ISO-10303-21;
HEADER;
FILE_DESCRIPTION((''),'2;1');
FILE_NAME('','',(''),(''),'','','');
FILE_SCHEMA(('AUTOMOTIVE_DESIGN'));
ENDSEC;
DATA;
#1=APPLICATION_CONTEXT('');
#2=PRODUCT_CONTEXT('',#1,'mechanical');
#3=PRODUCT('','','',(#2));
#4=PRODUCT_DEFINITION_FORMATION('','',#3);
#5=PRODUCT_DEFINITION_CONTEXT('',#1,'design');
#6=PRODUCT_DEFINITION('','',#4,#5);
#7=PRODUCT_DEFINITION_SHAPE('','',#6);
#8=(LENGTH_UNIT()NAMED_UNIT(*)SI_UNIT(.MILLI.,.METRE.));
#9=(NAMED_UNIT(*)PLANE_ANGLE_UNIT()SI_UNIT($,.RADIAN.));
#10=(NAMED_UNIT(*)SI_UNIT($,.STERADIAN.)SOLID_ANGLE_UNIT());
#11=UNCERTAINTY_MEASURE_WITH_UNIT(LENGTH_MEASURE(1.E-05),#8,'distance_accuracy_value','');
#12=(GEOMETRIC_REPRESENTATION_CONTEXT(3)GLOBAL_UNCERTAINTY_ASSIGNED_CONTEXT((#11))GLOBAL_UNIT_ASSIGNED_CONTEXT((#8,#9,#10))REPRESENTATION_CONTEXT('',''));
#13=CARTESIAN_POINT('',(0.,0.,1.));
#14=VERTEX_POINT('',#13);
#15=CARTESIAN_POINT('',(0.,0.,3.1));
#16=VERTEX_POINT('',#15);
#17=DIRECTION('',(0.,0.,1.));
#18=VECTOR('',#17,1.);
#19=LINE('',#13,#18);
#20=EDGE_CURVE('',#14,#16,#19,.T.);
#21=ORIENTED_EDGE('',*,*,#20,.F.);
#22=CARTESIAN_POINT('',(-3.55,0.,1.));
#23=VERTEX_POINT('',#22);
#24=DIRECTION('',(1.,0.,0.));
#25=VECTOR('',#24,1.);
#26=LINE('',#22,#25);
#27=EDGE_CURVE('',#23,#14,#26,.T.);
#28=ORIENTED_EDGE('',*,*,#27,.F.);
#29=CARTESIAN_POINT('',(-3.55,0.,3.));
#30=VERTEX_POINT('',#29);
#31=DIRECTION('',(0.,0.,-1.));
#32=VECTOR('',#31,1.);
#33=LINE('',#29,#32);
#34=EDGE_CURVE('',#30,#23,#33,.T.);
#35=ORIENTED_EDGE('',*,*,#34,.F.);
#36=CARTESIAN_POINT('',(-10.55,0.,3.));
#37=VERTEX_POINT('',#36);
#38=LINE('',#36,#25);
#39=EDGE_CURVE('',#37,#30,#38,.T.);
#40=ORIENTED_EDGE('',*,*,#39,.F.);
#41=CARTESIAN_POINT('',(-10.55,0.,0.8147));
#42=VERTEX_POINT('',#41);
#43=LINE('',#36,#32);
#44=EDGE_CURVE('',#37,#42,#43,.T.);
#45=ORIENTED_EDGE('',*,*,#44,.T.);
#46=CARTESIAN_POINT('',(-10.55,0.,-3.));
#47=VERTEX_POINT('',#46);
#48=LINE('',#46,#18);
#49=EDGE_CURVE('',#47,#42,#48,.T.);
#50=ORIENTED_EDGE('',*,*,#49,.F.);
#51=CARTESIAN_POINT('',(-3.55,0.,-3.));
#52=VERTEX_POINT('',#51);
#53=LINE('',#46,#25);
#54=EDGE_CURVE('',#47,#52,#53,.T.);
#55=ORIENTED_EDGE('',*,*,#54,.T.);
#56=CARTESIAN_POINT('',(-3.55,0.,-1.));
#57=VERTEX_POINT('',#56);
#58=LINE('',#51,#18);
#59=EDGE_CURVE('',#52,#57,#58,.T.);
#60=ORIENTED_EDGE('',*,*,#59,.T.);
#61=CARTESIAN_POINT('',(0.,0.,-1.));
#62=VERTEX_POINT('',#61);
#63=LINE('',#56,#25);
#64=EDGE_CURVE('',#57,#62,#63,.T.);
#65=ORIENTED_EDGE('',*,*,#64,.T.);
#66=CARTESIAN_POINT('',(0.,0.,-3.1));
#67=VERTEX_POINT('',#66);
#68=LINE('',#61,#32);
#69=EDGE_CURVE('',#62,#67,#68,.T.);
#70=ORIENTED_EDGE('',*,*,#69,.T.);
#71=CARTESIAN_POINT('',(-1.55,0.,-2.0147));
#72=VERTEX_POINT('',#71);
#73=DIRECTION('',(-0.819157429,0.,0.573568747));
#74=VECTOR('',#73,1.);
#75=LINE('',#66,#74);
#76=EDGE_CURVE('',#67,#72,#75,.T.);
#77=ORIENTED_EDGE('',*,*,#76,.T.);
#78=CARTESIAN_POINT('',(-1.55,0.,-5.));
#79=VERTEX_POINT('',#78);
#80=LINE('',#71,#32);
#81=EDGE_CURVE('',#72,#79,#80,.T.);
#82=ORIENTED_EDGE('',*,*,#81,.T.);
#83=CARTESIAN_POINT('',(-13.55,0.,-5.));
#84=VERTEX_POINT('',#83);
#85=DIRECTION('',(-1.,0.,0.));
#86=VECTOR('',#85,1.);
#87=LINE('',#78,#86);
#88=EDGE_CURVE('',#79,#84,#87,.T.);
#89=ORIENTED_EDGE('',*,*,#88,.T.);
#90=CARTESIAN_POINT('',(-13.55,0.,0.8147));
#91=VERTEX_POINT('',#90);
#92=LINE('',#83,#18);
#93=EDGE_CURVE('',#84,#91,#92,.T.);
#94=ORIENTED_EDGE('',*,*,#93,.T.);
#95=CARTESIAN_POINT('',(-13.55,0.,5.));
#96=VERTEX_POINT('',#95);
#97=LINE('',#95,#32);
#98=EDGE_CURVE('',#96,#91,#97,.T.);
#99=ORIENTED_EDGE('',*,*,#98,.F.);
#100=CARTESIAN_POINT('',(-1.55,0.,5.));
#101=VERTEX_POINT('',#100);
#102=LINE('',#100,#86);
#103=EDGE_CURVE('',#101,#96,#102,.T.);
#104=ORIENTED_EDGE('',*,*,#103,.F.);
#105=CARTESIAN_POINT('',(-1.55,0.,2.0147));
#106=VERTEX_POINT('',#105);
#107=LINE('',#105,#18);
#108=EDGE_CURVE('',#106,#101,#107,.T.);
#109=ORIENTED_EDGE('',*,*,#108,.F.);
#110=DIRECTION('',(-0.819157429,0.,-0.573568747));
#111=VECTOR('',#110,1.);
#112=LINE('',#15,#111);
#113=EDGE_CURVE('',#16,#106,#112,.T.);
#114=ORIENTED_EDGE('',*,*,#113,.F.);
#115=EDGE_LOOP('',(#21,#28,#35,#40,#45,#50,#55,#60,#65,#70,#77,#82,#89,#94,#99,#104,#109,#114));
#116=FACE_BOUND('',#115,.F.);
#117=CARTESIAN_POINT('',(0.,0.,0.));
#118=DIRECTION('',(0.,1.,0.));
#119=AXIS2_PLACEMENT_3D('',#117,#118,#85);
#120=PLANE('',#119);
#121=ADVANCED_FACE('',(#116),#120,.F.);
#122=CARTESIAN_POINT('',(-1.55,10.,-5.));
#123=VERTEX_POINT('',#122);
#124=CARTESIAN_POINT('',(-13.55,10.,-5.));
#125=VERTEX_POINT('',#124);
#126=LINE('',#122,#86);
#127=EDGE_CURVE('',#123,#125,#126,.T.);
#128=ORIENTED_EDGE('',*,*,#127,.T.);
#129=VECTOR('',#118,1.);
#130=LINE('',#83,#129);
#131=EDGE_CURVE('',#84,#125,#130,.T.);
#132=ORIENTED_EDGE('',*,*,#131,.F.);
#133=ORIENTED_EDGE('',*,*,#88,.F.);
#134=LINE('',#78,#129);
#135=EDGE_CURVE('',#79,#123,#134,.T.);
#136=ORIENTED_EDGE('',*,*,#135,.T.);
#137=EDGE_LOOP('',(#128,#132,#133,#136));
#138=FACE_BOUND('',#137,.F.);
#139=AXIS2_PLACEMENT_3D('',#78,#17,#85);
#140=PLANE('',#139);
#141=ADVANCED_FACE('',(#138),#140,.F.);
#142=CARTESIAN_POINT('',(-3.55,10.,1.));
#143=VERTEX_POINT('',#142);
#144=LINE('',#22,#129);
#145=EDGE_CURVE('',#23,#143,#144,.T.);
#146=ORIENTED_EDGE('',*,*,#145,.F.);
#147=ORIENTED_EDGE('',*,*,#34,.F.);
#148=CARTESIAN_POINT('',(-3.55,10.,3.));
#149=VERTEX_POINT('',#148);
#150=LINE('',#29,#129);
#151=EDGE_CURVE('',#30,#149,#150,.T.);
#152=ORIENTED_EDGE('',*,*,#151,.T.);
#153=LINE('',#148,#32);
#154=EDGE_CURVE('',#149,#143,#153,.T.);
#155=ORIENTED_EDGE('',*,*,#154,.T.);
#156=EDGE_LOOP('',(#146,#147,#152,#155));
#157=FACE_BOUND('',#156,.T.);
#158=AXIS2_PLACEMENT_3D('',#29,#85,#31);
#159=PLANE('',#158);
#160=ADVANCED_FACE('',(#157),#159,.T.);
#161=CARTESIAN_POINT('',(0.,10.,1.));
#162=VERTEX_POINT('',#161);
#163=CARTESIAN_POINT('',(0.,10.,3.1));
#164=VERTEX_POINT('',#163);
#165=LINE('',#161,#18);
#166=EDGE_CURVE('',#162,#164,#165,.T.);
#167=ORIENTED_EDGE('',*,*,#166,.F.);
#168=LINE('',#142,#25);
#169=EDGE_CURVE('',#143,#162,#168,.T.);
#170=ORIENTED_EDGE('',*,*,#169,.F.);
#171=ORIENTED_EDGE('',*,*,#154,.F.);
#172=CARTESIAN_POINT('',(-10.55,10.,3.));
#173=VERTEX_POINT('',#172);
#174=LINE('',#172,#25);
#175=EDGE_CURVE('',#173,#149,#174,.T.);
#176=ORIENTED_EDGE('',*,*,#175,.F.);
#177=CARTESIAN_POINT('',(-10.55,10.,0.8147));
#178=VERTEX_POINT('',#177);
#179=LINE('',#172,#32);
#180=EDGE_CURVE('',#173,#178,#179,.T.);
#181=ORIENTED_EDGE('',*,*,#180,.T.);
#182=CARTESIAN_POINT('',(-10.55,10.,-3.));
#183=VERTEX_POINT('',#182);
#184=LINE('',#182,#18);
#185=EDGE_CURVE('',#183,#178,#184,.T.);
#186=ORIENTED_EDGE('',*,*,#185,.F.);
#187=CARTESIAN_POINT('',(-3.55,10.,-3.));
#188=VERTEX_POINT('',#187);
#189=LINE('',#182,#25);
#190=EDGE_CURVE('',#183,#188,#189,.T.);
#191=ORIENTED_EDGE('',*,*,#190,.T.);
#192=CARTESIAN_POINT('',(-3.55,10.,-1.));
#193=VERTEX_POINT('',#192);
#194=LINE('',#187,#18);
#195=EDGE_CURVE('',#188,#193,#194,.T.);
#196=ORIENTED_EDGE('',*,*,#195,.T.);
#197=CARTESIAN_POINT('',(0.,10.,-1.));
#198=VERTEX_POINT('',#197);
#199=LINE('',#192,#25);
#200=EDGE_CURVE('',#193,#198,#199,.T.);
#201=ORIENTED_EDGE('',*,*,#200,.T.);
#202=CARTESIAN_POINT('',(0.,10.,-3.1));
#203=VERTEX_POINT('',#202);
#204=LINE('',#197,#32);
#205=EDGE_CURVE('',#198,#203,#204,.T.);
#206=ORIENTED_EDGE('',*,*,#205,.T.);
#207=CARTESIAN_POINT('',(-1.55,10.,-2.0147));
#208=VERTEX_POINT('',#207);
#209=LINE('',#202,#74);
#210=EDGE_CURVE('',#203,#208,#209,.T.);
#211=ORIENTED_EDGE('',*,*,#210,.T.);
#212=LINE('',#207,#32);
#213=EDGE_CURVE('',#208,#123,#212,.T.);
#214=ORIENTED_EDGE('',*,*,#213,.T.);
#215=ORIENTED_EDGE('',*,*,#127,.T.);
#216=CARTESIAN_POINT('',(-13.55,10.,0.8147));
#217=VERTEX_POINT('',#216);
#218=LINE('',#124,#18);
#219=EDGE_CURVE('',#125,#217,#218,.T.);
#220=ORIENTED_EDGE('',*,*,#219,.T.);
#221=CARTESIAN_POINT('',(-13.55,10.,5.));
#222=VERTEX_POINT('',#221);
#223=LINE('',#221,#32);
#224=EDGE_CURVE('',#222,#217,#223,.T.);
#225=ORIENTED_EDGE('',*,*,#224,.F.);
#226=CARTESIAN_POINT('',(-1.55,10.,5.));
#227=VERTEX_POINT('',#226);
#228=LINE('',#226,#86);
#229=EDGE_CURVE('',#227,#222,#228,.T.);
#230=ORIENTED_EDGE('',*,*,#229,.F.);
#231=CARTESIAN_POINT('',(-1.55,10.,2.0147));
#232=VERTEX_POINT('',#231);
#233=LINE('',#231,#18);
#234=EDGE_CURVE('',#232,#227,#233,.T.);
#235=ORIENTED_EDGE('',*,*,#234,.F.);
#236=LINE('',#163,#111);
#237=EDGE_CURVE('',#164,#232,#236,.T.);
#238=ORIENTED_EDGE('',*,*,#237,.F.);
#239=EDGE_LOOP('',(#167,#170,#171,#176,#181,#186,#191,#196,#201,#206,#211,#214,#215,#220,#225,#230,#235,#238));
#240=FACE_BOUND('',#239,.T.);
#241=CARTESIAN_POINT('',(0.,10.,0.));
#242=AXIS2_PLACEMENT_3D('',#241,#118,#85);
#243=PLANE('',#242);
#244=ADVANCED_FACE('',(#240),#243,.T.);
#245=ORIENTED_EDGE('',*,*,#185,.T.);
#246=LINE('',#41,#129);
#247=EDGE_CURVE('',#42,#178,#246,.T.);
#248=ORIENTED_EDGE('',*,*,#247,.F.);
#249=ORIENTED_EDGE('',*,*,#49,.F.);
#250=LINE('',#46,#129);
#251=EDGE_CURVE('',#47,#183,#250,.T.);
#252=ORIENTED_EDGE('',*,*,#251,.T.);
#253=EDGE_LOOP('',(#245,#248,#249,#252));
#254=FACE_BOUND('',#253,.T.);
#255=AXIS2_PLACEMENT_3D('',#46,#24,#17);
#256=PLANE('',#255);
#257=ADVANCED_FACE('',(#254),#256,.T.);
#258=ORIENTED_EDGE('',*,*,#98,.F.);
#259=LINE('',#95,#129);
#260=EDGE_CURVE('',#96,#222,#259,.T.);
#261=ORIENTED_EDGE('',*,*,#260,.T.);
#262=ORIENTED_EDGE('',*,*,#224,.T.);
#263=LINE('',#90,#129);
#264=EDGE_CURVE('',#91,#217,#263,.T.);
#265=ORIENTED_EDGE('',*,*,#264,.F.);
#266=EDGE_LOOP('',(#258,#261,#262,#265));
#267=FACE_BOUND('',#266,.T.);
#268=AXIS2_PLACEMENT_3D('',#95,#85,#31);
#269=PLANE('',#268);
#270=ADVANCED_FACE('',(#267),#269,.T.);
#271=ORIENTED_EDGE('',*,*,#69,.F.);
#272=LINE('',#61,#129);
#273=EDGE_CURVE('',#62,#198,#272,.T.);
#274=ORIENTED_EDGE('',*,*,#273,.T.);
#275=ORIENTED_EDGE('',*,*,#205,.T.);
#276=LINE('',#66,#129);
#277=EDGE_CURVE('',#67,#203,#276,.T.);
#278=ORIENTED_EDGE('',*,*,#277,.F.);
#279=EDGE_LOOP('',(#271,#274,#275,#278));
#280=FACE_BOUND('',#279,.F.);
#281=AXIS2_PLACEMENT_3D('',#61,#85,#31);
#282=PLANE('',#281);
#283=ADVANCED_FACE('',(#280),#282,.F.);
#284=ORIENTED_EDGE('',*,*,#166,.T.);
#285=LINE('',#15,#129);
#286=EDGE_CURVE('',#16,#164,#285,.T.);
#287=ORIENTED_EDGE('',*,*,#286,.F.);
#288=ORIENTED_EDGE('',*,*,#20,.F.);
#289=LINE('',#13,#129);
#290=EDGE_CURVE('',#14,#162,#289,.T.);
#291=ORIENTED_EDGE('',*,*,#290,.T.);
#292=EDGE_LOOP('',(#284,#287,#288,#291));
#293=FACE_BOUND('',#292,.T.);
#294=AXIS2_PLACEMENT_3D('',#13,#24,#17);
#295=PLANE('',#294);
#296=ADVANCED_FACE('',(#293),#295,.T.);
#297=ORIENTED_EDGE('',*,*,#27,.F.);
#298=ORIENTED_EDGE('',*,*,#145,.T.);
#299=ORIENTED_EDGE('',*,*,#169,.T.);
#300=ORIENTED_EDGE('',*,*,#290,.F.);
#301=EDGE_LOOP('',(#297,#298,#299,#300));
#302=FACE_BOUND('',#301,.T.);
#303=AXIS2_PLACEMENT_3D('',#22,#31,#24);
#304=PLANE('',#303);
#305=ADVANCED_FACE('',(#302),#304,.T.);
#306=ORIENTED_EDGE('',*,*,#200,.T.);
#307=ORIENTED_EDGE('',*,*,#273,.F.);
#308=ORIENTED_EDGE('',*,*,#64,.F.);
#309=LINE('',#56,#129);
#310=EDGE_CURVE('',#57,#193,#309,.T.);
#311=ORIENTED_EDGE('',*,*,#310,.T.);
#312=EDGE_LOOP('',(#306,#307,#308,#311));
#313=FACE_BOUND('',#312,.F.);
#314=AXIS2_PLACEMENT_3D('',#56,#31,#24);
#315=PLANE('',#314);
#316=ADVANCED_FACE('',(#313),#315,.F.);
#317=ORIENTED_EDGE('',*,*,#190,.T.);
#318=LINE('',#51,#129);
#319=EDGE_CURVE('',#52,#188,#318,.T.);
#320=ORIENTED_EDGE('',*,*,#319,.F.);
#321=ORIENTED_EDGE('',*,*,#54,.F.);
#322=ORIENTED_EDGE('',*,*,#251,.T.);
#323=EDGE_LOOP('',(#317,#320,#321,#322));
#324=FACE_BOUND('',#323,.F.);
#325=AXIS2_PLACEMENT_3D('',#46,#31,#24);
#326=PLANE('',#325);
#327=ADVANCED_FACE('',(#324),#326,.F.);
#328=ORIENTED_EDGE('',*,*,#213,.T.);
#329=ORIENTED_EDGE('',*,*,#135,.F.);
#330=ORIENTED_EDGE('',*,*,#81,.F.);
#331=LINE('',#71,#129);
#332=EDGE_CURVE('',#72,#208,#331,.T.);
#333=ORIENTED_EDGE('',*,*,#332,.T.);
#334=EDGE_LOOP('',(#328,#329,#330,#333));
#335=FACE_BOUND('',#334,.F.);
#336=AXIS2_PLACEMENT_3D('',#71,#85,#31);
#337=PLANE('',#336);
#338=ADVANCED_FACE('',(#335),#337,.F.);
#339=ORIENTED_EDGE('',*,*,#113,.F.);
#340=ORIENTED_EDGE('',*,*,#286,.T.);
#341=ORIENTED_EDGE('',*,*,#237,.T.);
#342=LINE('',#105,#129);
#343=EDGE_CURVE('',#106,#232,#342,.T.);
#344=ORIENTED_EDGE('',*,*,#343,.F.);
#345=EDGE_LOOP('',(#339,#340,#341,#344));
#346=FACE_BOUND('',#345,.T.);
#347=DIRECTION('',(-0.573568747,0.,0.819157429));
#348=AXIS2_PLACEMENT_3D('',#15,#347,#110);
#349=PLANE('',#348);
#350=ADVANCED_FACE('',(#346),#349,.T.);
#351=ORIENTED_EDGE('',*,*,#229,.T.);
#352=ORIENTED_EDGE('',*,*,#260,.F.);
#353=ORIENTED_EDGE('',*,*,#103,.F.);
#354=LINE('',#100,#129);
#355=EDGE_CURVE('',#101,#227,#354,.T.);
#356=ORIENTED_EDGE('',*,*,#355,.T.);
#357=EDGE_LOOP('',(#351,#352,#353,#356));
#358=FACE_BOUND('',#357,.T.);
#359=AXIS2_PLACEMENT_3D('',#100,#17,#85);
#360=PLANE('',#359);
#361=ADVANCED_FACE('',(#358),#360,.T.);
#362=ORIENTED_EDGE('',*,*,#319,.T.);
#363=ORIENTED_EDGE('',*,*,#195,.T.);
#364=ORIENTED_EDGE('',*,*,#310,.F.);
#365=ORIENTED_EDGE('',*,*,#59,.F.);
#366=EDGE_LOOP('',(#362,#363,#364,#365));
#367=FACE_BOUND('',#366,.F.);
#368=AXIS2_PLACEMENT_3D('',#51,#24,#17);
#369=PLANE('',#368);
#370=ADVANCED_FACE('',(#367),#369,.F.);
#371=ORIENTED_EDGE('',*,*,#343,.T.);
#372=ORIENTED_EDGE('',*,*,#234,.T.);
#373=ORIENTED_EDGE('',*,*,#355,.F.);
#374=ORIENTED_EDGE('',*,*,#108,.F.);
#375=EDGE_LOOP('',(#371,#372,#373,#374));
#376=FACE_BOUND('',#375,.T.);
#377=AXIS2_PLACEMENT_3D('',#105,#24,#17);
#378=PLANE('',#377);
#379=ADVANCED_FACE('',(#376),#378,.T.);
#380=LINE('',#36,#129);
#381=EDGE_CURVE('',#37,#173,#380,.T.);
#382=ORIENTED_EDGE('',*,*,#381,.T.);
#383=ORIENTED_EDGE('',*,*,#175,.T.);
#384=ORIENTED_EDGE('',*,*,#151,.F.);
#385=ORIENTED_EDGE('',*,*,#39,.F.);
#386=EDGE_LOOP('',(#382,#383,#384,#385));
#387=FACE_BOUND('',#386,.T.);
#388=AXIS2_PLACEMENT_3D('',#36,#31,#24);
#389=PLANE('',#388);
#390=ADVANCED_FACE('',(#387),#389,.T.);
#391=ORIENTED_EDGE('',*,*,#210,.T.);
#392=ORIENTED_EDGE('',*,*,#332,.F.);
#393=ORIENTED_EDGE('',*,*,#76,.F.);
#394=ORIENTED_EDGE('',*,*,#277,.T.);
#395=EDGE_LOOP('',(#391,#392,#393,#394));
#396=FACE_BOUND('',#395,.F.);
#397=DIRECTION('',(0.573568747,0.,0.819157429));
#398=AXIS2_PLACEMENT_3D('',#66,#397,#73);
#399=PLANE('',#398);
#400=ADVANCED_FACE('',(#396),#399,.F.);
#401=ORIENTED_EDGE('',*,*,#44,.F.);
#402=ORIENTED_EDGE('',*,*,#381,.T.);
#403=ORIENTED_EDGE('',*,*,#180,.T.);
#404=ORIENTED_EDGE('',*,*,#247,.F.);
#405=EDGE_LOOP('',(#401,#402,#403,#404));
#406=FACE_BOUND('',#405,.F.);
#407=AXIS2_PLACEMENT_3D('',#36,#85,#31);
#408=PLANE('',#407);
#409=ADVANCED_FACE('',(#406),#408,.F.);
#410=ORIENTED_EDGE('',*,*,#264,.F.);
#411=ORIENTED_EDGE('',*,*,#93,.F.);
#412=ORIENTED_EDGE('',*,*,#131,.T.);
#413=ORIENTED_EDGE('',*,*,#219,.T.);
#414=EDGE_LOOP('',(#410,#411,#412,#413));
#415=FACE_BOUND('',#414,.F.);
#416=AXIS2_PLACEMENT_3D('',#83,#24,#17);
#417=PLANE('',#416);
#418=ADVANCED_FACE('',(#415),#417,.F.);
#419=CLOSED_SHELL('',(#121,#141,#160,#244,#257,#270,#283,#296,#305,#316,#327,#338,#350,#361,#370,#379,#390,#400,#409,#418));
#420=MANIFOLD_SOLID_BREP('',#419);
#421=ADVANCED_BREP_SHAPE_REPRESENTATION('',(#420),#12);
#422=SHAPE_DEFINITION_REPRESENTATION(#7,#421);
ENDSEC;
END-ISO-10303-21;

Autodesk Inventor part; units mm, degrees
ref_plane "YZ Plane" through (0, 0, 0) normal (1, 0, 0) x (0, 1, 0)
ref_plane "XZ Plane" through (0, 0, 0) normal (0, 1, 0) x (-1, 0, 0)
ref_plane "XY Plane" through (0, 0, 0) normal (0, 0, 1) x (1, 0, 0)
sketch "Sketch1" plane through (0, 0, 0) normal (0, 1, 0) x (-1, 0, 0)
  line L0 (0, 1) -> (0, 3.1)
  line L1 (0, 3.1) -> (1.55, 2.0147)
  line L2 (0, 3.1) -> (0.6449, 3.1) construction
  line L3 (1.55, 2.0147) -> (1.55, 5)
  line L4 (1.55, 5) -> (1.55, 2.0147)
  line L5 (1.55, 5) -> (13.55, 5)
  line L6 (13.55, 5) -> (13.55, 0.8147)
  line L7 (10.55, 3) -> (10.55, 0.8147)
  line L8 (3.55, 3) -> (3.55, 1)
  line L9 (10.55, 3) -> (3.55, 3)
  line L10 (3.55, 1) -> (0, 1)
  line L11 (0, -1) -> (0, -3.1)
  line L12 (0, -3.1) -> (1.55, -2.0147)
  line L13 (0, -3.1) -> (0.6449, -3.1) construction
  line L14 (1.55, -2.0147) -> (1.55, -5)
  line L15 (1.55, -5) -> (1.55, -2.0147)
  line L16 (1.55, -5) -> (13.55, -5)
  line L17 (13.55, -5) -> (13.55, 0.8147)
  line L18 (10.55, -3) -> (10.55, 0.8147)
  line L19 (3.55, -3) -> (3.55, -1)
  line L20 (10.55, -3) -> (3.55, -3)
  line L21 (3.55, -1) -> (0, -1)
  line L22 (0, 0) -> (8.6928, 0)
  dimension "d3" = 1.55
  dimension "d4" = 12
  dimension "d5" = 3
  dimension "d17" = 6.2
  dimension "d18" = 10
  dimension "d19" = 6
  dimension "d20" = 13.55
  dimension "d21" = 1
  dimension "d22" = 55
  dimension "d26" = 55
  dimension "d27" = 7
  dimension "d28" = 7
extrude "Extrusion1" add sketch "Sketch1" along normal blind 10
properties part number "feeding needle holderV2"
